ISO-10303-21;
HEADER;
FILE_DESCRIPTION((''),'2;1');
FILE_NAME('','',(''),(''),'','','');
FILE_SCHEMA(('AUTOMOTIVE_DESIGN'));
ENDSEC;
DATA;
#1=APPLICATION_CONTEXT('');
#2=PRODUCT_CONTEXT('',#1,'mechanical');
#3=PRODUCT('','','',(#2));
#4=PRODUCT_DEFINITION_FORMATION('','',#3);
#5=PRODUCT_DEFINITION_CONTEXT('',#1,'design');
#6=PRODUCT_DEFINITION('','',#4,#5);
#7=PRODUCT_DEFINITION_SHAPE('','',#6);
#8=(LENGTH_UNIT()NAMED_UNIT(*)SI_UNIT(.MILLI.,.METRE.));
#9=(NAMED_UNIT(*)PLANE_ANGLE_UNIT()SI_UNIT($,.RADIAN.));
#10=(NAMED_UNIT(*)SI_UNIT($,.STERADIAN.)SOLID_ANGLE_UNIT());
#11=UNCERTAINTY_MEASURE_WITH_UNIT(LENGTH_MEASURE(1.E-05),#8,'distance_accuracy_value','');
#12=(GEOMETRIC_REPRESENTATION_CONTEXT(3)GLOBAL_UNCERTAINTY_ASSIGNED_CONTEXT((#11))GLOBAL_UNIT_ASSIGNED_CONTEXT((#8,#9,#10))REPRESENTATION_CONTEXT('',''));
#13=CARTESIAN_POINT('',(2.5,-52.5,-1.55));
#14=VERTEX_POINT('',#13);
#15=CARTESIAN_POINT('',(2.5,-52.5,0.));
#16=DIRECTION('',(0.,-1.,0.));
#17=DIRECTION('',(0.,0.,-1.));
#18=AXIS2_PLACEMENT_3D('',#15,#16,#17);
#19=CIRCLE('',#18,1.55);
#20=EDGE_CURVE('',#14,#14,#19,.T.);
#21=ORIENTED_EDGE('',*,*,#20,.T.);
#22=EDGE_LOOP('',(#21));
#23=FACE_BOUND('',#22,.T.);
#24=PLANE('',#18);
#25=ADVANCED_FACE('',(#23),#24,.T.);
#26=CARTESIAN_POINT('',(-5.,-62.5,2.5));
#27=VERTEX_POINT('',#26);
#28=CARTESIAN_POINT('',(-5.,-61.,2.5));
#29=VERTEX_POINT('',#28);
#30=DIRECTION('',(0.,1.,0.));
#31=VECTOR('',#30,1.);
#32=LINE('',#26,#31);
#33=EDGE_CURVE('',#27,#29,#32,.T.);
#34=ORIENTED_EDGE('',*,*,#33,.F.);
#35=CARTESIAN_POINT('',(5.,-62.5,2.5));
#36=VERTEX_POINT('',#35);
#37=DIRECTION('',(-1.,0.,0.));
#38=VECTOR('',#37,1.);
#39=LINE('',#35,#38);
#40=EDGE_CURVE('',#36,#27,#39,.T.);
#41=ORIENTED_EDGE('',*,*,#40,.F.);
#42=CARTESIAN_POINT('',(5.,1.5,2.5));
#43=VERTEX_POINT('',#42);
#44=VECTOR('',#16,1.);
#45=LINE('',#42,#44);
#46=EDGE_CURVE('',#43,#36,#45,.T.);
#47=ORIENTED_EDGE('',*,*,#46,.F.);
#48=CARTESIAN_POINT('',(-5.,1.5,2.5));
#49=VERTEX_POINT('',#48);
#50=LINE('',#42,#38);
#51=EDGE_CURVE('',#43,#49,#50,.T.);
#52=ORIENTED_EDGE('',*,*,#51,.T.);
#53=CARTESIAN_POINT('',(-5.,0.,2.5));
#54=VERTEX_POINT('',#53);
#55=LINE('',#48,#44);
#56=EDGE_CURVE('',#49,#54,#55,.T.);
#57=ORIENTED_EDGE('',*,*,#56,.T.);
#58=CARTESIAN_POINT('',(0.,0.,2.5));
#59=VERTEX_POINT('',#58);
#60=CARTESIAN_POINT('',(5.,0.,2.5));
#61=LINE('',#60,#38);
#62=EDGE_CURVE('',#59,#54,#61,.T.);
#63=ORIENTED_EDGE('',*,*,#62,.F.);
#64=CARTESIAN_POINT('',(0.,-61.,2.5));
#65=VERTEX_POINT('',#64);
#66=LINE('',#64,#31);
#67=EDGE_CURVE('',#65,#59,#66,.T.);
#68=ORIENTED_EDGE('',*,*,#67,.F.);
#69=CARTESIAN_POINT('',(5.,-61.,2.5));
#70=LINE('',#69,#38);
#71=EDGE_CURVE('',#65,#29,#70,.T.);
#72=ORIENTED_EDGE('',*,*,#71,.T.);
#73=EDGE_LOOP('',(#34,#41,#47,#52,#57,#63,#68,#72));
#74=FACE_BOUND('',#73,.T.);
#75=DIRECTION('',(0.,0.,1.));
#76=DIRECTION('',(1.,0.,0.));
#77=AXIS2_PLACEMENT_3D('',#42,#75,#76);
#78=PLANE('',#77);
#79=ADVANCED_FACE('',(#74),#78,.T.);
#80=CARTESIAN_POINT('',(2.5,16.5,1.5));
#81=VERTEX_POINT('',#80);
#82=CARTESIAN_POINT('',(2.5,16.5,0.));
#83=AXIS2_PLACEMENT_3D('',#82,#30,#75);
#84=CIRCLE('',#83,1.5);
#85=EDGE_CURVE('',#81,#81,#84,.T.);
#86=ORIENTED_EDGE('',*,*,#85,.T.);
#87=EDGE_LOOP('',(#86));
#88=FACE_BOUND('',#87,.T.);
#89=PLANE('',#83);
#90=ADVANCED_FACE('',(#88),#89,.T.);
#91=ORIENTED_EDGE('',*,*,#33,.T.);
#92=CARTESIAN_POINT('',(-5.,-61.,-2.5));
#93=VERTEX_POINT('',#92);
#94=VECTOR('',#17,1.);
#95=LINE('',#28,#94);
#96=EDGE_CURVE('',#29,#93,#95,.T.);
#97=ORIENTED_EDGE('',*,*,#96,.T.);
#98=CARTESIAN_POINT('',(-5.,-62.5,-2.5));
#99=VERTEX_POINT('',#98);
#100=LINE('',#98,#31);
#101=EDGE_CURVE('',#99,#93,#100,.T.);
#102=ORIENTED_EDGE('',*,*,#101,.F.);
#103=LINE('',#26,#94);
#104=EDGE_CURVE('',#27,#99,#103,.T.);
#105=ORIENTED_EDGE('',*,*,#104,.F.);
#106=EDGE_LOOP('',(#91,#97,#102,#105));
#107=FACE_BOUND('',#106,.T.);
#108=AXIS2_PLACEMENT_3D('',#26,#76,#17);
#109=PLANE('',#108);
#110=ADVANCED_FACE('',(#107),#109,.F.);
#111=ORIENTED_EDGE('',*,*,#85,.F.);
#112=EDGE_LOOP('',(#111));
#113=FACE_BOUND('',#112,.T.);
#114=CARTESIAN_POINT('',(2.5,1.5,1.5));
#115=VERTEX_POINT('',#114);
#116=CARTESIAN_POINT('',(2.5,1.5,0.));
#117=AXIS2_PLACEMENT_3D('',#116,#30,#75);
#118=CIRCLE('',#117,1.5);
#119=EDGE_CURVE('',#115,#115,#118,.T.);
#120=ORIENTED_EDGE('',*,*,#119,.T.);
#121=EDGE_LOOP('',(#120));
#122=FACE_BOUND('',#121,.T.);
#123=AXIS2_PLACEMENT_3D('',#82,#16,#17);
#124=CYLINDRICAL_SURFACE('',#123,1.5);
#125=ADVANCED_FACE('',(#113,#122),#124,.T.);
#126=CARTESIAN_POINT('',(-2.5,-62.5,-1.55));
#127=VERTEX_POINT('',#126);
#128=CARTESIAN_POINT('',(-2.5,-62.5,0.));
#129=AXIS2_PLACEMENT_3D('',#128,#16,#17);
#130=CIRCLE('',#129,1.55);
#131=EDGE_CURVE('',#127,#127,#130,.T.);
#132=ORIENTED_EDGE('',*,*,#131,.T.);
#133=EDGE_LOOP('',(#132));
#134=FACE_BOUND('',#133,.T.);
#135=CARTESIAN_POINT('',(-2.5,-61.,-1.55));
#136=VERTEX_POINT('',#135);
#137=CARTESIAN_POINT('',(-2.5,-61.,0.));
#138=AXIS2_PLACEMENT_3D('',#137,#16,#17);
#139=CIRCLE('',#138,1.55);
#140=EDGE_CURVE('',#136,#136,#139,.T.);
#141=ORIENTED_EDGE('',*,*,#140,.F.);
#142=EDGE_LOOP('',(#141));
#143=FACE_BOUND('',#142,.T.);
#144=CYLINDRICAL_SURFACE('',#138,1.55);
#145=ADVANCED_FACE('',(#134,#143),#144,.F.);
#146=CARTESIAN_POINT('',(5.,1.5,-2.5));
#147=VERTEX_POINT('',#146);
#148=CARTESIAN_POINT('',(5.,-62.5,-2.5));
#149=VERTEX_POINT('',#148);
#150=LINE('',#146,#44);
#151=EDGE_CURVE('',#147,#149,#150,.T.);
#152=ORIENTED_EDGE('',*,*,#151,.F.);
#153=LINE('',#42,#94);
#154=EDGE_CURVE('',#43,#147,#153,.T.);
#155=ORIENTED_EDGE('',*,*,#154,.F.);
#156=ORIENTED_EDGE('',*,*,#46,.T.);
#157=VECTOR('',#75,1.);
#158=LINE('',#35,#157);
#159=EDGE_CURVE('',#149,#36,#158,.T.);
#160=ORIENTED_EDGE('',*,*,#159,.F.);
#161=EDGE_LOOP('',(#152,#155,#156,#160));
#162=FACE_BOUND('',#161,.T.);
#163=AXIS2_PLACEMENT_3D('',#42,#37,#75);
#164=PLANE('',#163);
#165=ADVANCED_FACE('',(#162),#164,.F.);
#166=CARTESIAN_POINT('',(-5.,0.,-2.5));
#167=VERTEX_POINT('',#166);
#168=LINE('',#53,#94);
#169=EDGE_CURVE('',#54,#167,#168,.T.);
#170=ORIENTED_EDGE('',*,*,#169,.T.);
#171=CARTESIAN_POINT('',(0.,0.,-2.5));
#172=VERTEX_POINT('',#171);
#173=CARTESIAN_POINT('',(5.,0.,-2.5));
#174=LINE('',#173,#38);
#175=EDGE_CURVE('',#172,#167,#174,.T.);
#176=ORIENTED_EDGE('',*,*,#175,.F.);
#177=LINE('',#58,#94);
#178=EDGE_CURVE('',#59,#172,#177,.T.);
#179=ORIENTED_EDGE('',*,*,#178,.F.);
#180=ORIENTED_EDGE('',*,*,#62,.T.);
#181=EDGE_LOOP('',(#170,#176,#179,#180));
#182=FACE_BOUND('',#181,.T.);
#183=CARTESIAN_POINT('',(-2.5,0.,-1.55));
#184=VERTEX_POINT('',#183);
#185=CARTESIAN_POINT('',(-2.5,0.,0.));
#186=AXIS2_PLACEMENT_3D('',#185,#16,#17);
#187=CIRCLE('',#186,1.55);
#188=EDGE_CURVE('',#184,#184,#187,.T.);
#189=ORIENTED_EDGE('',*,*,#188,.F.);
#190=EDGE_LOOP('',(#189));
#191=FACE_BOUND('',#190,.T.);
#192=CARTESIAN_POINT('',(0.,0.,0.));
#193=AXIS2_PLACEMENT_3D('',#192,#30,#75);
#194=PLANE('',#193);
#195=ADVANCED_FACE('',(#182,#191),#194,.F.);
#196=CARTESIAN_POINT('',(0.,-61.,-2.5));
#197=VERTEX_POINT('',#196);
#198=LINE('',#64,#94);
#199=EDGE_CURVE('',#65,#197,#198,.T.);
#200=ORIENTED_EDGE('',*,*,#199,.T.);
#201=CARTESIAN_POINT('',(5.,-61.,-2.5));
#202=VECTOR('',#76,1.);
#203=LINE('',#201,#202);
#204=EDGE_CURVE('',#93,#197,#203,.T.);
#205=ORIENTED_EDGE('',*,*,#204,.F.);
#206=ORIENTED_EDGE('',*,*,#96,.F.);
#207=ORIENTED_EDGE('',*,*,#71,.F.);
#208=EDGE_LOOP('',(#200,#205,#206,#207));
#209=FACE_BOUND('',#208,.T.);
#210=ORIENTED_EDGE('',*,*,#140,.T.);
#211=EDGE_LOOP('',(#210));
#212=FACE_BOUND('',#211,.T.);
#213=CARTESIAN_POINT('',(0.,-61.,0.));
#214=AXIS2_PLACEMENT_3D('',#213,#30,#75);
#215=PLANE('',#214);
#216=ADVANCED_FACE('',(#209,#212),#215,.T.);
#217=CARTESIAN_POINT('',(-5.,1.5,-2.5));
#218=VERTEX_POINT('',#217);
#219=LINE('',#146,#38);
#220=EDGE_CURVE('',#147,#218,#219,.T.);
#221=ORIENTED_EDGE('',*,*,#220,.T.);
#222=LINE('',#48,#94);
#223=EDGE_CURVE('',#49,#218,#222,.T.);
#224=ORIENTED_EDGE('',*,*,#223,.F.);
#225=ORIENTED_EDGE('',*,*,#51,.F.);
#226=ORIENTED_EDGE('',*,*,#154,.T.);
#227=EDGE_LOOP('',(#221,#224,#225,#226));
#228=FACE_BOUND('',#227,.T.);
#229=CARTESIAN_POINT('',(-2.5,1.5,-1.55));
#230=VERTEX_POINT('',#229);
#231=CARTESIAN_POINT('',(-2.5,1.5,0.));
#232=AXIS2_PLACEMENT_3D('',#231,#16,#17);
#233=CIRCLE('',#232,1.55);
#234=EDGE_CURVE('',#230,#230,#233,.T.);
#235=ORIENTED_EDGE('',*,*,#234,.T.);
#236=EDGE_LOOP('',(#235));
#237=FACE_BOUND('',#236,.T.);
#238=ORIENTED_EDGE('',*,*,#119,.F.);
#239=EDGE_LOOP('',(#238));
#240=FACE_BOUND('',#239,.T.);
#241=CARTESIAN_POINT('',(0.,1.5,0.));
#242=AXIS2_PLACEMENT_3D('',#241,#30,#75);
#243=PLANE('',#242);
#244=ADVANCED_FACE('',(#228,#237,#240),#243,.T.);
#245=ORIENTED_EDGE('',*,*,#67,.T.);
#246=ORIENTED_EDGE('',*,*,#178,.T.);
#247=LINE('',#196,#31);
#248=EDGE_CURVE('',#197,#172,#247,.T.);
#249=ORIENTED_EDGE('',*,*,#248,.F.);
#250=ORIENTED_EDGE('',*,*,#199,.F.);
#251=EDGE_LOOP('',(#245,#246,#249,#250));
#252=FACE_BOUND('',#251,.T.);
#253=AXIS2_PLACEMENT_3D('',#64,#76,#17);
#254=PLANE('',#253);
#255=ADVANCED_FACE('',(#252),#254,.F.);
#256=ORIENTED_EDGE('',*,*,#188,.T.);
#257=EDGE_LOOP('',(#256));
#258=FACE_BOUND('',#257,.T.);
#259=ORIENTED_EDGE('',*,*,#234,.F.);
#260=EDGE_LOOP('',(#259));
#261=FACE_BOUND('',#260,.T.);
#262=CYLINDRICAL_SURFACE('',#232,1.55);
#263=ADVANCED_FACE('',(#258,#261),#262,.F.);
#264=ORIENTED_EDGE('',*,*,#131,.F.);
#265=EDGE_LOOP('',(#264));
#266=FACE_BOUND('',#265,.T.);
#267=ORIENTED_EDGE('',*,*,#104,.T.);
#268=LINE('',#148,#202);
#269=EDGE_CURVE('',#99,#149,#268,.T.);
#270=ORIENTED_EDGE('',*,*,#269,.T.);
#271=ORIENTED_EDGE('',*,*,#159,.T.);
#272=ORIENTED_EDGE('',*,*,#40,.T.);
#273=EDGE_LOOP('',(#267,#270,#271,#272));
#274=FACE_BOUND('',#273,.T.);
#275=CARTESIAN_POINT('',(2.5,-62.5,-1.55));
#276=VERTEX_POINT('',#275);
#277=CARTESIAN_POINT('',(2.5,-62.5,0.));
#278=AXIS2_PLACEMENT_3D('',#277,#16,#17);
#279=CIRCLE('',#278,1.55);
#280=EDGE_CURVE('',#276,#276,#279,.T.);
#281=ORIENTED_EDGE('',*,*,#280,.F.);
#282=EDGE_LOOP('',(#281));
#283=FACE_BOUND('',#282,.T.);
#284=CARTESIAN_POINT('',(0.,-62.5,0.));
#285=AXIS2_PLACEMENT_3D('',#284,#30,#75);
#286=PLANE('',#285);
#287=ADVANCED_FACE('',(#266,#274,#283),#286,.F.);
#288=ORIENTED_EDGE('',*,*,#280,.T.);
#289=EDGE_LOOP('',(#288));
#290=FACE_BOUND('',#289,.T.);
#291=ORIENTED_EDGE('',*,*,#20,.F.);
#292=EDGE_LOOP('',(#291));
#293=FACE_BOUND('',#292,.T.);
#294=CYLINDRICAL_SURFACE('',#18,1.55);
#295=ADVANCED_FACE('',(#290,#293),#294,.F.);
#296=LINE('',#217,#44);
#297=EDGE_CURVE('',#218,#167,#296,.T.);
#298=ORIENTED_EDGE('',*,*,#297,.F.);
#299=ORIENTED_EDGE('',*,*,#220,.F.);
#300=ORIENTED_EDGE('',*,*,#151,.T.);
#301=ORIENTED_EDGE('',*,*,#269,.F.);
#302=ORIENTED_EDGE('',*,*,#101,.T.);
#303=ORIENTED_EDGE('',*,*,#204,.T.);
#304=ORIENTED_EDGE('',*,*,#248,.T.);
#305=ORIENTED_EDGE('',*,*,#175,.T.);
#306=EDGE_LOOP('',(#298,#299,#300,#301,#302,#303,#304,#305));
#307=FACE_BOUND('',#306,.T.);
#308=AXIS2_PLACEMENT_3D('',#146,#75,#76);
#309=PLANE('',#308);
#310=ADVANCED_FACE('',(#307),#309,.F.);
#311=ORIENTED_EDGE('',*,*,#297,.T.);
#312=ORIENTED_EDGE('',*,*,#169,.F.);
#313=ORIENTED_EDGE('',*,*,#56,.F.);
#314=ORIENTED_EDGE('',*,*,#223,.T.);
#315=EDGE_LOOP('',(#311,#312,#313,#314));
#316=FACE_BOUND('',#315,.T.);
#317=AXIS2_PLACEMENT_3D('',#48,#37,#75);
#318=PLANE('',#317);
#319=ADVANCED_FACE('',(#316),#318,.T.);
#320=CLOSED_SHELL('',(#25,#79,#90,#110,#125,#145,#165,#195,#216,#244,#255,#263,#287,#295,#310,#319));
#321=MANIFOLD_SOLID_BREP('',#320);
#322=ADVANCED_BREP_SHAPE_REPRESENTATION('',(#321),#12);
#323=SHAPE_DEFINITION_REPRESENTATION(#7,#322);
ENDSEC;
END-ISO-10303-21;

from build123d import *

# Parameters (mm, degrees)
SKETCH_2_W          = 10
SKETCH_2_H          = 5
EXTRUDE_1_DEPTH     = 1.5
SKETCH_3_R          = 1.55
CUT_EXTRUDE_1_DEPTH = 1.5
SKETCH_4_W          = 5
SKETCH_4_H          = 5
EXTRUDE_2_DEPTH     = 61
SKETCH_5_W          = 10
SKETCH_5_H          = 5
EXTRUDE_3_DEPTH     = 1.5
SKETCH_6_R          = 1.55
CUT_EXTRUDE_2_DEPTH = 1.5
SKETCH_7_R          = 1.5
EXTRUDE_4_DEPTH     = 15
SKETCH_11_R         = 1.55
CUT_EXTRUDE_3_DEPTH = 10


with BuildPart() as part:
    # 草图2 → 凸台-拉伸1 (new body)
    with BuildSketch(Plane(origin=(0, 0, 0), x_dir=(1, 0, 0), z_dir=(0, 1, 0))):
        Rectangle(SKETCH_2_W, SKETCH_2_H)
    extrude(amount=EXTRUDE_1_DEPTH)

    # 草图3 → 切除-拉伸1 (cut)
    with BuildSketch(Plane.XZ):
        with Locations(Location((-2.5, 0, 0), (0, 0, 270))):
            Circle(SKETCH_3_R)
    extrude(amount=-CUT_EXTRUDE_1_DEPTH, mode=Mode.SUBTRACT)

    # 草图4 → 凸台-拉伸2 (add)
    with BuildSketch(Plane.XZ):
        with Locations((2.5, 0)):
            Rectangle(SKETCH_4_W, SKETCH_4_H)
    extrude(amount=EXTRUDE_2_DEPTH)

    # 草图5 → 凸台-拉伸3 (add)
    with BuildSketch(Plane.XZ.offset(61)):
        Rectangle(SKETCH_5_W, SKETCH_5_H)
    extrude(amount=EXTRUDE_3_DEPTH)

    # 草图6 → 切除-拉伸2 (cut)
    with BuildSketch(Plane.XZ.offset(62.5)):
        with Locations(Location((-2.5, 0, 0), (0, 0, 270))):
            Circle(SKETCH_6_R)
    extrude(amount=-CUT_EXTRUDE_2_DEPTH, mode=Mode.SUBTRACT)

    # 草图7 → 凸台-拉伸4 (add)
    with BuildSketch(Plane(origin=(0, 1.5, 0), x_dir=(1, 0, 0), z_dir=(0, 1, 0))):
        with Locations(Location((2.5, 0, 0), (0, 0, 270))):
            Circle(SKETCH_7_R)
    extrude(amount=EXTRUDE_4_DEPTH)

    # 草图11 → 切除-拉伸3 (cut)
    with BuildSketch(Plane.XZ.offset(62.5)):
        with Locations(Location((2.5, 0, 0), (0, 0, 270))):
            Circle(SKETCH_11_R)
    extrude(amount=-CUT_EXTRUDE_3_DEPTH, mode=Mode.SUBTRACT)


solid = part.part
